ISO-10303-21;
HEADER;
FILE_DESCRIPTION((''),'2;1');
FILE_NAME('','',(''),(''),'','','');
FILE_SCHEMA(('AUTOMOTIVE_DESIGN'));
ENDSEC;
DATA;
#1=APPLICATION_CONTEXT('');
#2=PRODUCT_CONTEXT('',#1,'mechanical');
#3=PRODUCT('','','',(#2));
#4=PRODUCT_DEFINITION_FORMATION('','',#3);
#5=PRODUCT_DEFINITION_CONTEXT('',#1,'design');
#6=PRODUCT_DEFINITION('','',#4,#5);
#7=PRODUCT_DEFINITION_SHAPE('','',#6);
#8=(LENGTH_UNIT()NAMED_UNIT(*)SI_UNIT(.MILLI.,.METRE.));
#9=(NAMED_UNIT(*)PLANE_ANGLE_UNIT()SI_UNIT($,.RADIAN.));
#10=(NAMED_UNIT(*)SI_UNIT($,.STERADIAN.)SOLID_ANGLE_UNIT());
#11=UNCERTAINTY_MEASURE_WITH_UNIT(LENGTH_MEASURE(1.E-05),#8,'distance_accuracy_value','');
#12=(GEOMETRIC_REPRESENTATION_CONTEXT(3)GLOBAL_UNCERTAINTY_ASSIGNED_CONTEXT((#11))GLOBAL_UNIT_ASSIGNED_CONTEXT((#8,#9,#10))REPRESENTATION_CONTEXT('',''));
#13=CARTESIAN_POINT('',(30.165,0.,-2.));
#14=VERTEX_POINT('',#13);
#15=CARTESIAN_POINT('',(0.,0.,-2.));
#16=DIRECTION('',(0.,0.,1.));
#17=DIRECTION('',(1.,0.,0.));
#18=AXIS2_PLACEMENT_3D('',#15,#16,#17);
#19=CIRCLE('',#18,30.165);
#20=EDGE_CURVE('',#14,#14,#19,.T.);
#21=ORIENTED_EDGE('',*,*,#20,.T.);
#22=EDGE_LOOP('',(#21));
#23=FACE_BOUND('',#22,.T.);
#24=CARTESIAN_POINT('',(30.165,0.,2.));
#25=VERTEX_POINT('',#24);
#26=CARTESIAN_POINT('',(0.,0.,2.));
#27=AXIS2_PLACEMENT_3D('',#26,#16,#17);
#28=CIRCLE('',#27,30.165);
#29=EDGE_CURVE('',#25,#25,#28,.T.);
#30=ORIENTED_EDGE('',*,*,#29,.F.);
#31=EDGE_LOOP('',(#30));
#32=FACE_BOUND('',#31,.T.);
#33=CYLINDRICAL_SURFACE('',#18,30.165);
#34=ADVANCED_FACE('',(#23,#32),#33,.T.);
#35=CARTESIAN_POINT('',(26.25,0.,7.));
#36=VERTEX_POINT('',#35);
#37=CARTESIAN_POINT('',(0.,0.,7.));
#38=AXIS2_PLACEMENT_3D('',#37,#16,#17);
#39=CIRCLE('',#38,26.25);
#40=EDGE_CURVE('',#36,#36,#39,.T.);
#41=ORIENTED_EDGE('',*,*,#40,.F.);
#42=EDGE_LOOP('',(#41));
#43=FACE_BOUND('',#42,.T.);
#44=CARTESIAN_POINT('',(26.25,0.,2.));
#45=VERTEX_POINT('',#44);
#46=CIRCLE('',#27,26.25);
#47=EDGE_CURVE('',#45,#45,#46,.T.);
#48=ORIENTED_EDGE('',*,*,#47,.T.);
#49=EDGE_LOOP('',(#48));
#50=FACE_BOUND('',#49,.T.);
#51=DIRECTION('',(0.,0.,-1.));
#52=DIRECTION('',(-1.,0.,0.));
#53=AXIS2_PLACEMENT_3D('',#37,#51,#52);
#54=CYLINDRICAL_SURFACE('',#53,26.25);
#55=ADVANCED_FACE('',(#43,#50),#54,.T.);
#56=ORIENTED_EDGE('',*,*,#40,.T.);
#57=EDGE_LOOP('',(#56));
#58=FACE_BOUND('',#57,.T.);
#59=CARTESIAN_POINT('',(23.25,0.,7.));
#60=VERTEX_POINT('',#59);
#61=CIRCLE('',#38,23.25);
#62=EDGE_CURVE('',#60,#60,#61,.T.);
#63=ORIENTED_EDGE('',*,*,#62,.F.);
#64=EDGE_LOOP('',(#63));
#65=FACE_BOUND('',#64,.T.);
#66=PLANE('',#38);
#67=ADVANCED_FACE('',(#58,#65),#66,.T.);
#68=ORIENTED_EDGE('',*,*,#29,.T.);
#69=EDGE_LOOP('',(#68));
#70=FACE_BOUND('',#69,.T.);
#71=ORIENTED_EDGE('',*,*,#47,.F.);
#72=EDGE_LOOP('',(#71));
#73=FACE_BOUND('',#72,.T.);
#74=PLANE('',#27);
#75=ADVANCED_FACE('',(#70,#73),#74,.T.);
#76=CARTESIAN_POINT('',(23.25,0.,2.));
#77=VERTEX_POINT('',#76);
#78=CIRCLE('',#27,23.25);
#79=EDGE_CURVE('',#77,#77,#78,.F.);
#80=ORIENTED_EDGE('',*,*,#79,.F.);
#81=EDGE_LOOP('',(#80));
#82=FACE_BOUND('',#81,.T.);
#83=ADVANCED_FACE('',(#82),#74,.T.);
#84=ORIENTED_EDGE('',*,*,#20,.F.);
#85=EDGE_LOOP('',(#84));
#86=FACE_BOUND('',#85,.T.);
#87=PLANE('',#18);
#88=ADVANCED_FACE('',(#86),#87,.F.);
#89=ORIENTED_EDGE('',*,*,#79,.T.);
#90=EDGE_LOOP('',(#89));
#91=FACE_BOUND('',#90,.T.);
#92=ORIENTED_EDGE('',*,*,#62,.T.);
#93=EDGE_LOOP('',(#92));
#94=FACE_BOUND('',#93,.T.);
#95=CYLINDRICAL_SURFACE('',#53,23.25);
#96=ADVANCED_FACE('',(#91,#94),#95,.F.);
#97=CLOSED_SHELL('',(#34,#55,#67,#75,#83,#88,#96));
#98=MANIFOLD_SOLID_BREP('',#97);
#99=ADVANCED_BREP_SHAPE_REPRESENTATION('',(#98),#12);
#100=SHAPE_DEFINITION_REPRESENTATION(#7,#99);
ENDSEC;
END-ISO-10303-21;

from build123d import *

# Parameters (mm, degrees)
SALIENTE_EXTRUIR1_DEPTH      = 2
SALIENTE_EXTRUIR1_DEPTH_BACK = 2
CROQUIS1_R                   = 30.165
CROQUIS3_R                   = 26.25
CROQUIS3_R_2                 = 23.25
SALIENTE_EXTRUIR2_DEPTH      = 5


with BuildPart() as part:
    # Croquis1 → Saliente-Extruir1 (new, two sides: drawn at the far end of the back side and taken through both)
    with BuildSketch(Plane.XY.offset(-SALIENTE_EXTRUIR1_DEPTH_BACK)):
        Circle(CROQUIS1_R)
    extrude(amount=SALIENTE_EXTRUIR1_DEPTH + SALIENTE_EXTRUIR1_DEPTH_BACK)

    # Croquis3 → Saliente-Extruir2 (add)
    with BuildSketch(Plane.XY.offset(2)):
        Circle(CROQUIS3_R)
        Circle(CROQUIS3_R_2, mode=Mode.SUBTRACT)
    extrude(amount=SALIENTE_EXTRUIR2_DEPTH)


solid = part.part
